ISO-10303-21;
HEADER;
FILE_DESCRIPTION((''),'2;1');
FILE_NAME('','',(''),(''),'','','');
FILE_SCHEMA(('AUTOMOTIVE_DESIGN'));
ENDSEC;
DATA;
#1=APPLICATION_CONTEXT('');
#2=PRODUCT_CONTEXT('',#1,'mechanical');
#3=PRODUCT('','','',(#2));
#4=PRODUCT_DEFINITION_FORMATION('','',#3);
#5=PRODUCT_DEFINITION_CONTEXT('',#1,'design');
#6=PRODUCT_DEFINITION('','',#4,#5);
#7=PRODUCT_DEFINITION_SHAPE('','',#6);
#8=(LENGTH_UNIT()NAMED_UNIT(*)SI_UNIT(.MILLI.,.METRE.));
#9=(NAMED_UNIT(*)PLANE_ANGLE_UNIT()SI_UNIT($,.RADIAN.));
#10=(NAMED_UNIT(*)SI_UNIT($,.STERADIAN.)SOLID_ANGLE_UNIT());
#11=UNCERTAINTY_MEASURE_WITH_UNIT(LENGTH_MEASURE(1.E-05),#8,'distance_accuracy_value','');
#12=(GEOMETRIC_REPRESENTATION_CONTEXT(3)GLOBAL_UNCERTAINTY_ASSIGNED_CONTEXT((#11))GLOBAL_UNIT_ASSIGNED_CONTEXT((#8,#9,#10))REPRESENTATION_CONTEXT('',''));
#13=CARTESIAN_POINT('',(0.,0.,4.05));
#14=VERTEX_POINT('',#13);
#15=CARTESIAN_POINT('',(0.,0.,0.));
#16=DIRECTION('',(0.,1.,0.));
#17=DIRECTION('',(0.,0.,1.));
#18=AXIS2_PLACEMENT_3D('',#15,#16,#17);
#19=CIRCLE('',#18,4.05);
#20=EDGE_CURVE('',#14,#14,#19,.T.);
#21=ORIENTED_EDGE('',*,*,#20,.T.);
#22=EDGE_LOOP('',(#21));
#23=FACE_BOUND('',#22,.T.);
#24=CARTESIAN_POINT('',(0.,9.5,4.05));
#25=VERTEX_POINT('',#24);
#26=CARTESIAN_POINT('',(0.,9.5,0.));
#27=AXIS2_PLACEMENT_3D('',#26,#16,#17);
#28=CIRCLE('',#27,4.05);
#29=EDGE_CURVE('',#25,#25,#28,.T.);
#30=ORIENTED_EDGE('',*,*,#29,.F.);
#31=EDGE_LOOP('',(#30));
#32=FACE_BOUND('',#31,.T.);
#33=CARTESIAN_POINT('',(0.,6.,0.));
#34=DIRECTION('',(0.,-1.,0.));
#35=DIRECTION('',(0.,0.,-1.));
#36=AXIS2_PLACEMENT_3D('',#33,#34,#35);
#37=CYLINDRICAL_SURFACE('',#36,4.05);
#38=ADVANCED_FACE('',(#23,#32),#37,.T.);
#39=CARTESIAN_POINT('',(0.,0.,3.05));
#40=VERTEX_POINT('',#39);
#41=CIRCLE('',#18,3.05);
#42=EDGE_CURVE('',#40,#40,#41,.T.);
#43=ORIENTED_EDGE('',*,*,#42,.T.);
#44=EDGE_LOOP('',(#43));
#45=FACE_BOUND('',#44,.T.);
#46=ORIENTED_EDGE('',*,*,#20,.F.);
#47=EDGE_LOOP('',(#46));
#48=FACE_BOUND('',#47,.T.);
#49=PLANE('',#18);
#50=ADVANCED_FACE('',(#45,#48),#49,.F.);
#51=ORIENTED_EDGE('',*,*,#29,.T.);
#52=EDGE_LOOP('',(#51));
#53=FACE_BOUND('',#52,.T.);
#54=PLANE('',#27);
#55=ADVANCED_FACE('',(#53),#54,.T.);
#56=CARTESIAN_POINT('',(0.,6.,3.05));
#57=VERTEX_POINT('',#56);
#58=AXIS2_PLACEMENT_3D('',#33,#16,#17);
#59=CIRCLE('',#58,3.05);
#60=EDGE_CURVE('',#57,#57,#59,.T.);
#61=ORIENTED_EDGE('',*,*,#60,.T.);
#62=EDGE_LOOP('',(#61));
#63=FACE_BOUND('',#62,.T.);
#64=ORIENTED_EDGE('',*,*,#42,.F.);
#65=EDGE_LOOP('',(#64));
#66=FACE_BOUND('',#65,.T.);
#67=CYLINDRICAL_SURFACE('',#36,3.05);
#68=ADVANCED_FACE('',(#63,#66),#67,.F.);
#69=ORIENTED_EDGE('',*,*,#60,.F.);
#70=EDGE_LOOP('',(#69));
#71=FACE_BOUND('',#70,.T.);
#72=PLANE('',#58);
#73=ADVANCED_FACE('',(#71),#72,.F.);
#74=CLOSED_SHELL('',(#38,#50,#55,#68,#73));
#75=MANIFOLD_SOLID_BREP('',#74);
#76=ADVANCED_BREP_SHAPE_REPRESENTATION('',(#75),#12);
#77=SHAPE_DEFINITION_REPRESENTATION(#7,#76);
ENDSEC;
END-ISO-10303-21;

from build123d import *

# Parameters (mm, degrees)
SKETCH_1_R      = 4.05
SKETCH_1_R_2    = 3.05
EXTRUDE_1_DEPTH = 6
SKETCH_2_R      = 4.05
EXTRUDE_2_DEPTH = 3.5


with BuildPart() as part:
    # 스케치1 → 보스-돌출1 (new body)
    with BuildSketch(Plane(origin=(0, 0, 0), x_dir=(1, 0, 0), z_dir=(0, 1, 0))):
        Circle(SKETCH_1_R)
        Circle(SKETCH_1_R_2, mode=Mode.SUBTRACT)
    extrude(amount=EXTRUDE_1_DEPTH)

    # 스케치2 → 보스-돌출2 (add)
    with BuildSketch(Plane(origin=(0, 6, 0), x_dir=(1, 0, 0), z_dir=(0, 1, 0))):
        Circle(SKETCH_2_R)
    extrude(amount=EXTRUDE_2_DEPTH)


solid = part.part
